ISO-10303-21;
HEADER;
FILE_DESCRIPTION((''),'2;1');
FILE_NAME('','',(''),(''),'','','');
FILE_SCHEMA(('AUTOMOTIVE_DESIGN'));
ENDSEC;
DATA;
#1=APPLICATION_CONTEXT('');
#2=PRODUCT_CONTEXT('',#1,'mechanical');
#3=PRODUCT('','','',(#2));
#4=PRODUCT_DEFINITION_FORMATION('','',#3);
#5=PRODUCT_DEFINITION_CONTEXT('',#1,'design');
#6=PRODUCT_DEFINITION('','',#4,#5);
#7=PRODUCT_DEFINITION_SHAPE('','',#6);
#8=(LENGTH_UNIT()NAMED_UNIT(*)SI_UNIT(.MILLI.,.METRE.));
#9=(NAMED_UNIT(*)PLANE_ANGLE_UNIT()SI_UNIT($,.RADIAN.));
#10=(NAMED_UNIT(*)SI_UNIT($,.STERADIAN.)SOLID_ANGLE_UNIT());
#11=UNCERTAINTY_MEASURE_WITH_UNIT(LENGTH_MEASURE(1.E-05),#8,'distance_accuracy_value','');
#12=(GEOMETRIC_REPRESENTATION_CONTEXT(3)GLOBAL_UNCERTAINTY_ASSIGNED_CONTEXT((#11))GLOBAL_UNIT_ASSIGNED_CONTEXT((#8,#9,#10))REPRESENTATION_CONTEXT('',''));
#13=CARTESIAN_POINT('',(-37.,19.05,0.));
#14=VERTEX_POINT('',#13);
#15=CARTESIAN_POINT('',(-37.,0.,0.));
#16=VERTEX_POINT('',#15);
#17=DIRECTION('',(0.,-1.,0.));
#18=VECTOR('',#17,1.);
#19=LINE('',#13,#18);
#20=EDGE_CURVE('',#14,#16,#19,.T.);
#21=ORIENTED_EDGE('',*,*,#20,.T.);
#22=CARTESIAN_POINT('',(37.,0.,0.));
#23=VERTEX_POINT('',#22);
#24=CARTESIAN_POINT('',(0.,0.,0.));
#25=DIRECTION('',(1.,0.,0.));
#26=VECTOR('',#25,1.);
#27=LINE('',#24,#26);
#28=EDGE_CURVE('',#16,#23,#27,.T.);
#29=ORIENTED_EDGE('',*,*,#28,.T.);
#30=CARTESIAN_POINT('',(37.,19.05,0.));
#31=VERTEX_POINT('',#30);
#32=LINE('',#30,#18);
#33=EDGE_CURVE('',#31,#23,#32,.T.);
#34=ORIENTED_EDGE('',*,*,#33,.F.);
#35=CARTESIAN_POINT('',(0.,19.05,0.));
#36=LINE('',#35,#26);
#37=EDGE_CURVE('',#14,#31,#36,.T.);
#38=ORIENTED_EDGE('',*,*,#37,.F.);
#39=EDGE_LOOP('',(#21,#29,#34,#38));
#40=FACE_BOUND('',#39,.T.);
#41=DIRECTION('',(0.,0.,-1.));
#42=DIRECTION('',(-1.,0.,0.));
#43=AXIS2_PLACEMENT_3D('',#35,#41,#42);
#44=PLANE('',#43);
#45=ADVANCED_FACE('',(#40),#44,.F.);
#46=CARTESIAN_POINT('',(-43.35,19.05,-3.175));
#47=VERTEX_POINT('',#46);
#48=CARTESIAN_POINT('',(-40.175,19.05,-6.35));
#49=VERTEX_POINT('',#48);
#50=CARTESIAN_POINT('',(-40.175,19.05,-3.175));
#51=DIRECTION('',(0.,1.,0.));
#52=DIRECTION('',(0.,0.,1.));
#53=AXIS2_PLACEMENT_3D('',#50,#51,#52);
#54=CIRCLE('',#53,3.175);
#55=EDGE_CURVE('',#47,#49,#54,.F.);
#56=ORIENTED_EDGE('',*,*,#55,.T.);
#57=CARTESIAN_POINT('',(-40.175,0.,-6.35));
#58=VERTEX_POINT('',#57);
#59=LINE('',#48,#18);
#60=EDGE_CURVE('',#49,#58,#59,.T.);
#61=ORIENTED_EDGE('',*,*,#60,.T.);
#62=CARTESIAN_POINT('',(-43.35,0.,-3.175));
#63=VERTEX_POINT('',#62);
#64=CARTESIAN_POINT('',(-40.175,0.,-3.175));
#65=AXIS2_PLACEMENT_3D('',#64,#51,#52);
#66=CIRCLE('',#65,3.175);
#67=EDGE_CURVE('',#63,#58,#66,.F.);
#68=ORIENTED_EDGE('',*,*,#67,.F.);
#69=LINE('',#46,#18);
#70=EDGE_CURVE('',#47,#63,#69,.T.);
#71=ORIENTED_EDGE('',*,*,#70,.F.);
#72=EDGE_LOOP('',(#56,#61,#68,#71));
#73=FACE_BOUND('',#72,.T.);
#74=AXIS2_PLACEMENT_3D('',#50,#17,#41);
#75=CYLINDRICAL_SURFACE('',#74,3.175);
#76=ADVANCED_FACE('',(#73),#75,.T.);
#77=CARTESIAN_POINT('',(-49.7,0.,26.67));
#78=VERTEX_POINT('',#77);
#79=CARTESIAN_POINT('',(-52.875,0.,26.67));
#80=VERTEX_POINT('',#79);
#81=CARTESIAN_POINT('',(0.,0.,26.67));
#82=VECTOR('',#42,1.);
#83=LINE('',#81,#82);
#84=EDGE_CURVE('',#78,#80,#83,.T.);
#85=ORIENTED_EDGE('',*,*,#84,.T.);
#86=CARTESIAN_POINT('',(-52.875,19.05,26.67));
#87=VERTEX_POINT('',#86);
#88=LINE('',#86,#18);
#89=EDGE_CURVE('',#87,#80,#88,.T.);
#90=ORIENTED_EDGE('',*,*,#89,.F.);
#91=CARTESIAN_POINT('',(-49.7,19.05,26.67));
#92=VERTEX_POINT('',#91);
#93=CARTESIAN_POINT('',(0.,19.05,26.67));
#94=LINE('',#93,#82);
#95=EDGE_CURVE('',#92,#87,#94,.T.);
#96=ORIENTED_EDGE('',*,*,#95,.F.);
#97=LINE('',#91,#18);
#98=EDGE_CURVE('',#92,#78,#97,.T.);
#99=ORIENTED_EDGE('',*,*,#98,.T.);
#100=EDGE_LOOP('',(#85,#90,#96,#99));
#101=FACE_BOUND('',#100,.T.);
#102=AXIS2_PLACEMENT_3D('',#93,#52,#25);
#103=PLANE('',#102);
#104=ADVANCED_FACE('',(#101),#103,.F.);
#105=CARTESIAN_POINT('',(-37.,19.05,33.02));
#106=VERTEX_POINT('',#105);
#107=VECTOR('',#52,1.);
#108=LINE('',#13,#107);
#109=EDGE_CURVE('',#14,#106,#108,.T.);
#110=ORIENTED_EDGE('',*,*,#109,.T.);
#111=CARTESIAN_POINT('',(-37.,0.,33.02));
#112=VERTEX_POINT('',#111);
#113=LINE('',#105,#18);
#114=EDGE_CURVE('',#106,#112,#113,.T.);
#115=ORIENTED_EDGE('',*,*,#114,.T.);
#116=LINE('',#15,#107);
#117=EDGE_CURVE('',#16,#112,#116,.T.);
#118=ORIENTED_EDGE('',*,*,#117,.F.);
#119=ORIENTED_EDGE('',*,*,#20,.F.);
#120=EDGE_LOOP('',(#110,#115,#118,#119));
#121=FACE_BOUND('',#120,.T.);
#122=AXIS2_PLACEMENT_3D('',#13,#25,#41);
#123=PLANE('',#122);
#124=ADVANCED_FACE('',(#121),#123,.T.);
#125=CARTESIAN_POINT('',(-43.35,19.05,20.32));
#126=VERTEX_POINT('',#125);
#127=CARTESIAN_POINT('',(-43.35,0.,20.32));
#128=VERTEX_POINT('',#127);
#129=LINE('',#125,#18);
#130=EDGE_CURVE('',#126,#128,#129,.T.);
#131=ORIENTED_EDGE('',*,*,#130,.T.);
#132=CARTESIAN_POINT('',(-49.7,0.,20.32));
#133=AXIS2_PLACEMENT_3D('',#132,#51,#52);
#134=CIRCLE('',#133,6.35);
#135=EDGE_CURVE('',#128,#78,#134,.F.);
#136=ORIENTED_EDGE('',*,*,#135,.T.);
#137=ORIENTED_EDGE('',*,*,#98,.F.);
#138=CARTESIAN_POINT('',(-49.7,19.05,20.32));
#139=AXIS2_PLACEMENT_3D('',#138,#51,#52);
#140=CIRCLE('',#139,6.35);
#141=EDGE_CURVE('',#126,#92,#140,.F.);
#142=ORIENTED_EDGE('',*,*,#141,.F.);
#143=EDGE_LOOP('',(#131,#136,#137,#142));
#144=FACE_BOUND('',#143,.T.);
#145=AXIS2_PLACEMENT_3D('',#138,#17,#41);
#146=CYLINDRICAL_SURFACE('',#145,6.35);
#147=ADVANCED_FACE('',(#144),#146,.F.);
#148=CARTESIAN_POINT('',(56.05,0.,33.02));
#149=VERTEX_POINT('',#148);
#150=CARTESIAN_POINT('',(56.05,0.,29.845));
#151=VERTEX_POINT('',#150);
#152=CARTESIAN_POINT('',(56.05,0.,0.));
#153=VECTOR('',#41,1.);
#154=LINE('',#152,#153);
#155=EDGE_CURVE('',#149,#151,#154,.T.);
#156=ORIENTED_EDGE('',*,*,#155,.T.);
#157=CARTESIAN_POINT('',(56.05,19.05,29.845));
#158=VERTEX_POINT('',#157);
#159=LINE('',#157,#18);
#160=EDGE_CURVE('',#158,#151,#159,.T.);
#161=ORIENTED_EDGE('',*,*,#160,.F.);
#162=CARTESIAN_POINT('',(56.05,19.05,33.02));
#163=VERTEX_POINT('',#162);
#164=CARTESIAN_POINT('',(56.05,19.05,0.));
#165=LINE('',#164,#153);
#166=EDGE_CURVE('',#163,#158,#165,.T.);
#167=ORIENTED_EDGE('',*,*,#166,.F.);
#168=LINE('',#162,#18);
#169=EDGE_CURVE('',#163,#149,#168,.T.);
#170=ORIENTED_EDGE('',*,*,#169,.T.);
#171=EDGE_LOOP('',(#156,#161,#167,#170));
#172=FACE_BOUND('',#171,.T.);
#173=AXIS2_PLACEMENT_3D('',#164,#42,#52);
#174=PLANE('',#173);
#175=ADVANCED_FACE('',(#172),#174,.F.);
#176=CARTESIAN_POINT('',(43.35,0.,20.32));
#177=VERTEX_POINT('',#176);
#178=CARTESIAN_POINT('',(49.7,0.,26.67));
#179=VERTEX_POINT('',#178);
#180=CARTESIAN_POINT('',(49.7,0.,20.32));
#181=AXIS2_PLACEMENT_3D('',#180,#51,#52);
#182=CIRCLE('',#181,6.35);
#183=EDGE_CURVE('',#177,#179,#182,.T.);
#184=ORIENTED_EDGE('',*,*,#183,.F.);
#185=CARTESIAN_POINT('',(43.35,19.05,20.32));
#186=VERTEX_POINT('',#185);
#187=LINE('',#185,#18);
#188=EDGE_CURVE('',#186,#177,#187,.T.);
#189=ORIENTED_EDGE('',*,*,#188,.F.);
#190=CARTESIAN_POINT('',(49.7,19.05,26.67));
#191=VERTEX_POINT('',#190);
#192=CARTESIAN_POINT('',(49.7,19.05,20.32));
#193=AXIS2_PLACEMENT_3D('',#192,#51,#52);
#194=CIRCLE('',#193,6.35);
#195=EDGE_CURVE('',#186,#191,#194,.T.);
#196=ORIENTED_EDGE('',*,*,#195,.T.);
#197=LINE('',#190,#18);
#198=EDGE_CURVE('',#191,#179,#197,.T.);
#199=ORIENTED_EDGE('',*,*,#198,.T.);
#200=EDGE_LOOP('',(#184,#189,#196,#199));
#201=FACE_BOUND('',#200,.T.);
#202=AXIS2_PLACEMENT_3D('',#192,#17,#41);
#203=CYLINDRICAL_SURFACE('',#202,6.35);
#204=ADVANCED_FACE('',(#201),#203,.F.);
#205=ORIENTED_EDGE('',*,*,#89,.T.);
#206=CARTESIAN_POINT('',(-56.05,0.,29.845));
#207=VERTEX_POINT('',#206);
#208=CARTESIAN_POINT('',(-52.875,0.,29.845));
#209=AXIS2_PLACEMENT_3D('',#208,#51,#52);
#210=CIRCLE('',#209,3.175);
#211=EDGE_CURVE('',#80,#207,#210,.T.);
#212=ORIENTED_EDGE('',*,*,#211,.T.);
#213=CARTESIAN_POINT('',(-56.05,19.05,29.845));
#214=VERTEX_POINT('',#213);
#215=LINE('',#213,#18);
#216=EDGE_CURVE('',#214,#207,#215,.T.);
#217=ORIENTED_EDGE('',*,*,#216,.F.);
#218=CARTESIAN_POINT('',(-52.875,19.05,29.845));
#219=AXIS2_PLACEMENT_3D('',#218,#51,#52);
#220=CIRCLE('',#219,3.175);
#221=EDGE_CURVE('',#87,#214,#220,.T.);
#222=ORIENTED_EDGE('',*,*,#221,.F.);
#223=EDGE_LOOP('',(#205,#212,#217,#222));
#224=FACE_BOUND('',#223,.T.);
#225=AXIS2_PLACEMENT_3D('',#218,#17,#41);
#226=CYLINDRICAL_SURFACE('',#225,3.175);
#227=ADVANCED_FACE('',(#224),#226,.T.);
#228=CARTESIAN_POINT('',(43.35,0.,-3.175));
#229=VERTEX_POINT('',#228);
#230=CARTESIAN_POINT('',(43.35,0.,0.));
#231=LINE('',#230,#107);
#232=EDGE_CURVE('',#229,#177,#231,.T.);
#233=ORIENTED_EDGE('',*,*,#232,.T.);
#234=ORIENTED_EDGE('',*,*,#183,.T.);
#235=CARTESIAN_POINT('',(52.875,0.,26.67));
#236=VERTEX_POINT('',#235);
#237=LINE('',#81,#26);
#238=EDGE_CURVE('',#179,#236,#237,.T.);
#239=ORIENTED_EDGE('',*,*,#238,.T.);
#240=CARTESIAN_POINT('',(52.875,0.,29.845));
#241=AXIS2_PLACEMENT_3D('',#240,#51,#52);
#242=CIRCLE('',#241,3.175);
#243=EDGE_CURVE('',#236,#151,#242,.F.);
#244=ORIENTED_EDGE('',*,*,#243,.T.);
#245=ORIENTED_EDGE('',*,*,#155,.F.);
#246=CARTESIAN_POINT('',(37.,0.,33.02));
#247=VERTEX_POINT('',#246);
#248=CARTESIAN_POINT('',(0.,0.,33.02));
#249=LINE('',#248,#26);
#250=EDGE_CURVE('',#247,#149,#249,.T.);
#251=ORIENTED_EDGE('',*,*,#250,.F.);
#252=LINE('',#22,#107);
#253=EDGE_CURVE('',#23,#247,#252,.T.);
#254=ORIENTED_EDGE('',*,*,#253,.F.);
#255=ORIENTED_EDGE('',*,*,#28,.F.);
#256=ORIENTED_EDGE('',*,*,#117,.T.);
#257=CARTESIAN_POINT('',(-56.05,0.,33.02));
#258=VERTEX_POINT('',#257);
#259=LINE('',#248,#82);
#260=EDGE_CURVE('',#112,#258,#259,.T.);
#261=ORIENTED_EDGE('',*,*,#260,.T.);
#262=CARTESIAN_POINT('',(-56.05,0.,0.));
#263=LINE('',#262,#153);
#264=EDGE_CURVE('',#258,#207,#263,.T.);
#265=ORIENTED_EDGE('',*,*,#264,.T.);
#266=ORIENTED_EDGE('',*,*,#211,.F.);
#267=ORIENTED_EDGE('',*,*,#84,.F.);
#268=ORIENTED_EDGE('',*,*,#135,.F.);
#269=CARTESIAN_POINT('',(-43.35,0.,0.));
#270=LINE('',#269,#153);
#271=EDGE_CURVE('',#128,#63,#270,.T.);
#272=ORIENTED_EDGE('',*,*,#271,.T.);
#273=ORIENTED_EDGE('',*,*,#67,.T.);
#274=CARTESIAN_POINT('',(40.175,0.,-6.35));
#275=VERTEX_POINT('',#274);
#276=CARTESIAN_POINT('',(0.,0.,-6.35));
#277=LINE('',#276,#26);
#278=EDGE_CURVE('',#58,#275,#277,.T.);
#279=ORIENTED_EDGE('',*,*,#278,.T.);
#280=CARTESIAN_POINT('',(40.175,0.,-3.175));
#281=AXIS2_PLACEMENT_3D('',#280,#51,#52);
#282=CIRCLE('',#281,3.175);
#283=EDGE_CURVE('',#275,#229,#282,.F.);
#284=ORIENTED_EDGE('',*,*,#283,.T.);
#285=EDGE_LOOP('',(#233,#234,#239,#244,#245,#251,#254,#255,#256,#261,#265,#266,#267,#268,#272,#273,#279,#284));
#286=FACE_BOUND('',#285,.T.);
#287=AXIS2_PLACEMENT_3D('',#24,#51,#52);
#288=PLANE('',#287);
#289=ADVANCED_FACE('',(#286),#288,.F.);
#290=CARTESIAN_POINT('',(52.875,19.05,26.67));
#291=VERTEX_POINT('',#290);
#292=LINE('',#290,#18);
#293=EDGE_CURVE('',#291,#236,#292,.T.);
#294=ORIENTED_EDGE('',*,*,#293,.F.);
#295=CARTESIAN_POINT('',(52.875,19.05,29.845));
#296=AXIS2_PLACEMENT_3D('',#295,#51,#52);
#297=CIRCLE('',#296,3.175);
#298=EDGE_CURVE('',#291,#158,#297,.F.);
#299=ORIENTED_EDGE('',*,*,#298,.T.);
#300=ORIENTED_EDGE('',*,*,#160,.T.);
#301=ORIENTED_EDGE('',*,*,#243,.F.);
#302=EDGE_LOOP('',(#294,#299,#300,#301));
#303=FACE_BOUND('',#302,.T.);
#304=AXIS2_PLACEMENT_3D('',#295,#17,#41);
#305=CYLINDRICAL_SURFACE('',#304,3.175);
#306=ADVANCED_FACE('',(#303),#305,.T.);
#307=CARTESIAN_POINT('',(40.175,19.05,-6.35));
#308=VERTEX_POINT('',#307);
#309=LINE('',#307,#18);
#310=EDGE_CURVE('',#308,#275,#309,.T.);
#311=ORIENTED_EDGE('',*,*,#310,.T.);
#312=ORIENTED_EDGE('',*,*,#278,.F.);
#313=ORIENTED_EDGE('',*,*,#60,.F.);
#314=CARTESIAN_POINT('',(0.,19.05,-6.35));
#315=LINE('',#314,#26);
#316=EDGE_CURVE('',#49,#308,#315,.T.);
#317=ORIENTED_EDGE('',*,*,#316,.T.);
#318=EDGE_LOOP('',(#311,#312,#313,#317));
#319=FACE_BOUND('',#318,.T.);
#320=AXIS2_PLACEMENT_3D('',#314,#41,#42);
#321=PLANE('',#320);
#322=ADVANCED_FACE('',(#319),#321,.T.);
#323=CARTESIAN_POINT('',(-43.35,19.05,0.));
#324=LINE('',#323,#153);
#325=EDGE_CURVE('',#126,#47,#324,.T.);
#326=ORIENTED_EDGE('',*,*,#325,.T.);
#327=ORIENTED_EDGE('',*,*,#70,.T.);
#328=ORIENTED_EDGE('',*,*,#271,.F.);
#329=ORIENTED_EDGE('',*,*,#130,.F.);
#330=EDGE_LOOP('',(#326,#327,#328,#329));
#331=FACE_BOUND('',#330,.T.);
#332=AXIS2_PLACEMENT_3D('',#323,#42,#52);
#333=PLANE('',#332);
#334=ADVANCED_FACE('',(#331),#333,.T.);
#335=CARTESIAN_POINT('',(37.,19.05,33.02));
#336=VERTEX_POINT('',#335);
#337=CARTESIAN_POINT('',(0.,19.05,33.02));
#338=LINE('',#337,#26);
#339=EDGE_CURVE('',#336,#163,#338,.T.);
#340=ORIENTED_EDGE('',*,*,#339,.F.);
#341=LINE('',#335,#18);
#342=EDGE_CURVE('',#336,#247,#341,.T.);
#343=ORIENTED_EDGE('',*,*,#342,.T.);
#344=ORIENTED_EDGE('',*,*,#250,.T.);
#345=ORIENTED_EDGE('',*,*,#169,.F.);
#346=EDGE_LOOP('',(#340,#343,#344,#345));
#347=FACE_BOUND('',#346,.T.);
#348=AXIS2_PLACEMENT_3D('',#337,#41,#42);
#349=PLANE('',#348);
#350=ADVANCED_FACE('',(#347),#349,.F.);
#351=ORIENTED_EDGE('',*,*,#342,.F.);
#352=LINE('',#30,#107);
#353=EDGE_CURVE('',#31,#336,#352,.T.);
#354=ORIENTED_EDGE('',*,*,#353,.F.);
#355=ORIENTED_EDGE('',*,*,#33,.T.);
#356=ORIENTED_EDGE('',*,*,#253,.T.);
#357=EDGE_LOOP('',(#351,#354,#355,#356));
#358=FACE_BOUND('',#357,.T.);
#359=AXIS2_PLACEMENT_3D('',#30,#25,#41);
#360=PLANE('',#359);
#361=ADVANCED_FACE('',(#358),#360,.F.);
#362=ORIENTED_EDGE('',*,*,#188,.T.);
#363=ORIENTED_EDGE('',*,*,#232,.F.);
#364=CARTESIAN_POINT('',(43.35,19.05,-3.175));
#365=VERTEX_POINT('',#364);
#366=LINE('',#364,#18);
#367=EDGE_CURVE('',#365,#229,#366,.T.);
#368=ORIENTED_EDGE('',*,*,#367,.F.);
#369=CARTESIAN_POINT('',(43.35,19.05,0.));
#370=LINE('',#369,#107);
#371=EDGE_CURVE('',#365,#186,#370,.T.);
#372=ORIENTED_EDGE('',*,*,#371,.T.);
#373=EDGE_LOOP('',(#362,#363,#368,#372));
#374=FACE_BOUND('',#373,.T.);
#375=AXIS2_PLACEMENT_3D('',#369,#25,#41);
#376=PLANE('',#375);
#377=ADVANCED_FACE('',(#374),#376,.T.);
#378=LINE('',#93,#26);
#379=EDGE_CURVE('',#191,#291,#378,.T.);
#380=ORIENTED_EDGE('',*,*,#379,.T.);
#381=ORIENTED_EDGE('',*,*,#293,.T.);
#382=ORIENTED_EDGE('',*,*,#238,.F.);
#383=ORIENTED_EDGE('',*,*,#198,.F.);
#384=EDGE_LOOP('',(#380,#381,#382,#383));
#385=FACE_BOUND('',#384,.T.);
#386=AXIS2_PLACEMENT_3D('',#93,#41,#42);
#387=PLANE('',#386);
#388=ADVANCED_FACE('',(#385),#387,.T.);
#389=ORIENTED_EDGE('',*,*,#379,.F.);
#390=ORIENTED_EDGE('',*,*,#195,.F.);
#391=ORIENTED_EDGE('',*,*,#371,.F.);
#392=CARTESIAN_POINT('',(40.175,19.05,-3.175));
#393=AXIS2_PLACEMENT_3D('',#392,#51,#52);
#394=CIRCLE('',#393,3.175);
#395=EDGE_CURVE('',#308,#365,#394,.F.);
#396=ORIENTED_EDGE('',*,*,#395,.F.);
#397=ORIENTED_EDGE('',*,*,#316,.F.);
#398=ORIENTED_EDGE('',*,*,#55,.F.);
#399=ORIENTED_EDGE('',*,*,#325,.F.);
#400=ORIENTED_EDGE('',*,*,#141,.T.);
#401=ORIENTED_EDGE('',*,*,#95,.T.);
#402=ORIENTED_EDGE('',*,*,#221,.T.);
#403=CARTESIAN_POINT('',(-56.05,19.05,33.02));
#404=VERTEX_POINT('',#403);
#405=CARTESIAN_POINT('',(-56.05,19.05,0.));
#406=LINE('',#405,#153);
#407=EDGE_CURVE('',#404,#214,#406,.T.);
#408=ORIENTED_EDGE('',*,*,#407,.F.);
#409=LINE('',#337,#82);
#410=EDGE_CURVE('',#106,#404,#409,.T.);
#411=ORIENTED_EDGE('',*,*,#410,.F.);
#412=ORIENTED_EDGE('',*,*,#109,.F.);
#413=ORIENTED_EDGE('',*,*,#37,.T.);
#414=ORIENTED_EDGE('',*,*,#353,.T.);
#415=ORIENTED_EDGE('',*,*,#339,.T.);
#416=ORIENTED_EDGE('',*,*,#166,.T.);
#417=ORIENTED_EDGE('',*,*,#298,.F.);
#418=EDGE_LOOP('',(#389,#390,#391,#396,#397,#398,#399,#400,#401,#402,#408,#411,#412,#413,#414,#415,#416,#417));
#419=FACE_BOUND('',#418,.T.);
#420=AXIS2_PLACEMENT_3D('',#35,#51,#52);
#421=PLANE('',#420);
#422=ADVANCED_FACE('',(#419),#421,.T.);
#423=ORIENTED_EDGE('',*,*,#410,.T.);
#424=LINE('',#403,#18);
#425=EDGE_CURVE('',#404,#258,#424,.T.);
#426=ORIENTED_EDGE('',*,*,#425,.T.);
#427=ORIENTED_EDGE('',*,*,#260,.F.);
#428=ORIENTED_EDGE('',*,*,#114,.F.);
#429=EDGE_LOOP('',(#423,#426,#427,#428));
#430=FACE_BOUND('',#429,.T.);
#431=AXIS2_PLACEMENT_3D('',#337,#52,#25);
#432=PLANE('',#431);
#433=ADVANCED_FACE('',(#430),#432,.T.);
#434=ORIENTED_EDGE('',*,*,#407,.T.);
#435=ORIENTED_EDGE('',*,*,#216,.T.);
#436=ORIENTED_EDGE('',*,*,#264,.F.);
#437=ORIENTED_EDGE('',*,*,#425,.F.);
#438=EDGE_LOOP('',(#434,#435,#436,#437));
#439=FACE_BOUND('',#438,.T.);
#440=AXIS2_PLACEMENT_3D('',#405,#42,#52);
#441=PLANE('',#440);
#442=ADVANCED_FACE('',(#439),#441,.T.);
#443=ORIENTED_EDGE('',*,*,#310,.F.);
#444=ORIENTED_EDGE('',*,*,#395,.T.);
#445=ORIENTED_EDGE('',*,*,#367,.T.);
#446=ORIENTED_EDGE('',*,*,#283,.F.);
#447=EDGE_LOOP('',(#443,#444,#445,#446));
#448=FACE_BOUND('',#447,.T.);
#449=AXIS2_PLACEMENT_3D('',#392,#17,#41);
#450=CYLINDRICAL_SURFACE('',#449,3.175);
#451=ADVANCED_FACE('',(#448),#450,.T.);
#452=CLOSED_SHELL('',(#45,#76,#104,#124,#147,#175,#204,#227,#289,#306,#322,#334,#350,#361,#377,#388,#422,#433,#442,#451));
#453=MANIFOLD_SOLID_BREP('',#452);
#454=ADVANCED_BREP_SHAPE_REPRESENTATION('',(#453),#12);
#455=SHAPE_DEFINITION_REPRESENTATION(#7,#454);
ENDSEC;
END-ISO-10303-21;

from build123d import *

# Parameters (mm, degrees)
BOSS_EXTRUDE1_DEPTH = 19.05


with BuildPart() as part:
    # Sketch1 → Boss-Extrude1 (new body)
    with BuildSketch(Plane(origin=(0, 0, 0), x_dir=(1, 0, 0), z_dir=(0, 1, 0))):
        with BuildLine():
            Line((-37, -33.02), (-37, 0))
            Line((-37, 0), (37, 0))
            Line((37, 0), (37, -33.02))
            Line((37, -33.02), (56.05, -33.02))
            Line((56.05, -33.02), (56.05, -29.845))
            ThreePointArc((56.05, -29.845), (55.12006403, -27.59993597), (52.875, -26.67))
            Line((52.875, -26.67), (49.7, -26.67))
            ThreePointArc((49.7, -26.67), (45.209871939, -24.810128061), (43.35, -20.32))
            Line((43.35, -20.32), (43.35, 0))
            Line((43.35, 0), (43.35, 3.175))
            ThreePointArc((43.35, 3.175), (42.42006403, 5.42006403), (40.175, 6.35))
            Line((40.175, 6.35), (-40.175, 6.35))
            ThreePointArc((-40.175, 6.35), (-42.42006403, 5.42006403), (-43.35, 3.175))
            Line((-43.35, 3.175), (-43.35, 0))
            Line((-43.35, 0), (-43.35, -20.32))
            ThreePointArc((-43.35, -20.32), (-45.209871939, -24.810128061), (-49.7, -26.67))
            Line((-49.7, -26.67), (-52.875, -26.67))
            ThreePointArc((-52.875, -26.67), (-55.12006403, -27.59993597), (-56.05, -29.845))
            Line((-56.05, -29.845), (-56.05, -33.02))
            Line((-56.05, -33.02), (-37, -33.02))
        make_face()
    extrude(amount=BOSS_EXTRUDE1_DEPTH)


solid = part.part
